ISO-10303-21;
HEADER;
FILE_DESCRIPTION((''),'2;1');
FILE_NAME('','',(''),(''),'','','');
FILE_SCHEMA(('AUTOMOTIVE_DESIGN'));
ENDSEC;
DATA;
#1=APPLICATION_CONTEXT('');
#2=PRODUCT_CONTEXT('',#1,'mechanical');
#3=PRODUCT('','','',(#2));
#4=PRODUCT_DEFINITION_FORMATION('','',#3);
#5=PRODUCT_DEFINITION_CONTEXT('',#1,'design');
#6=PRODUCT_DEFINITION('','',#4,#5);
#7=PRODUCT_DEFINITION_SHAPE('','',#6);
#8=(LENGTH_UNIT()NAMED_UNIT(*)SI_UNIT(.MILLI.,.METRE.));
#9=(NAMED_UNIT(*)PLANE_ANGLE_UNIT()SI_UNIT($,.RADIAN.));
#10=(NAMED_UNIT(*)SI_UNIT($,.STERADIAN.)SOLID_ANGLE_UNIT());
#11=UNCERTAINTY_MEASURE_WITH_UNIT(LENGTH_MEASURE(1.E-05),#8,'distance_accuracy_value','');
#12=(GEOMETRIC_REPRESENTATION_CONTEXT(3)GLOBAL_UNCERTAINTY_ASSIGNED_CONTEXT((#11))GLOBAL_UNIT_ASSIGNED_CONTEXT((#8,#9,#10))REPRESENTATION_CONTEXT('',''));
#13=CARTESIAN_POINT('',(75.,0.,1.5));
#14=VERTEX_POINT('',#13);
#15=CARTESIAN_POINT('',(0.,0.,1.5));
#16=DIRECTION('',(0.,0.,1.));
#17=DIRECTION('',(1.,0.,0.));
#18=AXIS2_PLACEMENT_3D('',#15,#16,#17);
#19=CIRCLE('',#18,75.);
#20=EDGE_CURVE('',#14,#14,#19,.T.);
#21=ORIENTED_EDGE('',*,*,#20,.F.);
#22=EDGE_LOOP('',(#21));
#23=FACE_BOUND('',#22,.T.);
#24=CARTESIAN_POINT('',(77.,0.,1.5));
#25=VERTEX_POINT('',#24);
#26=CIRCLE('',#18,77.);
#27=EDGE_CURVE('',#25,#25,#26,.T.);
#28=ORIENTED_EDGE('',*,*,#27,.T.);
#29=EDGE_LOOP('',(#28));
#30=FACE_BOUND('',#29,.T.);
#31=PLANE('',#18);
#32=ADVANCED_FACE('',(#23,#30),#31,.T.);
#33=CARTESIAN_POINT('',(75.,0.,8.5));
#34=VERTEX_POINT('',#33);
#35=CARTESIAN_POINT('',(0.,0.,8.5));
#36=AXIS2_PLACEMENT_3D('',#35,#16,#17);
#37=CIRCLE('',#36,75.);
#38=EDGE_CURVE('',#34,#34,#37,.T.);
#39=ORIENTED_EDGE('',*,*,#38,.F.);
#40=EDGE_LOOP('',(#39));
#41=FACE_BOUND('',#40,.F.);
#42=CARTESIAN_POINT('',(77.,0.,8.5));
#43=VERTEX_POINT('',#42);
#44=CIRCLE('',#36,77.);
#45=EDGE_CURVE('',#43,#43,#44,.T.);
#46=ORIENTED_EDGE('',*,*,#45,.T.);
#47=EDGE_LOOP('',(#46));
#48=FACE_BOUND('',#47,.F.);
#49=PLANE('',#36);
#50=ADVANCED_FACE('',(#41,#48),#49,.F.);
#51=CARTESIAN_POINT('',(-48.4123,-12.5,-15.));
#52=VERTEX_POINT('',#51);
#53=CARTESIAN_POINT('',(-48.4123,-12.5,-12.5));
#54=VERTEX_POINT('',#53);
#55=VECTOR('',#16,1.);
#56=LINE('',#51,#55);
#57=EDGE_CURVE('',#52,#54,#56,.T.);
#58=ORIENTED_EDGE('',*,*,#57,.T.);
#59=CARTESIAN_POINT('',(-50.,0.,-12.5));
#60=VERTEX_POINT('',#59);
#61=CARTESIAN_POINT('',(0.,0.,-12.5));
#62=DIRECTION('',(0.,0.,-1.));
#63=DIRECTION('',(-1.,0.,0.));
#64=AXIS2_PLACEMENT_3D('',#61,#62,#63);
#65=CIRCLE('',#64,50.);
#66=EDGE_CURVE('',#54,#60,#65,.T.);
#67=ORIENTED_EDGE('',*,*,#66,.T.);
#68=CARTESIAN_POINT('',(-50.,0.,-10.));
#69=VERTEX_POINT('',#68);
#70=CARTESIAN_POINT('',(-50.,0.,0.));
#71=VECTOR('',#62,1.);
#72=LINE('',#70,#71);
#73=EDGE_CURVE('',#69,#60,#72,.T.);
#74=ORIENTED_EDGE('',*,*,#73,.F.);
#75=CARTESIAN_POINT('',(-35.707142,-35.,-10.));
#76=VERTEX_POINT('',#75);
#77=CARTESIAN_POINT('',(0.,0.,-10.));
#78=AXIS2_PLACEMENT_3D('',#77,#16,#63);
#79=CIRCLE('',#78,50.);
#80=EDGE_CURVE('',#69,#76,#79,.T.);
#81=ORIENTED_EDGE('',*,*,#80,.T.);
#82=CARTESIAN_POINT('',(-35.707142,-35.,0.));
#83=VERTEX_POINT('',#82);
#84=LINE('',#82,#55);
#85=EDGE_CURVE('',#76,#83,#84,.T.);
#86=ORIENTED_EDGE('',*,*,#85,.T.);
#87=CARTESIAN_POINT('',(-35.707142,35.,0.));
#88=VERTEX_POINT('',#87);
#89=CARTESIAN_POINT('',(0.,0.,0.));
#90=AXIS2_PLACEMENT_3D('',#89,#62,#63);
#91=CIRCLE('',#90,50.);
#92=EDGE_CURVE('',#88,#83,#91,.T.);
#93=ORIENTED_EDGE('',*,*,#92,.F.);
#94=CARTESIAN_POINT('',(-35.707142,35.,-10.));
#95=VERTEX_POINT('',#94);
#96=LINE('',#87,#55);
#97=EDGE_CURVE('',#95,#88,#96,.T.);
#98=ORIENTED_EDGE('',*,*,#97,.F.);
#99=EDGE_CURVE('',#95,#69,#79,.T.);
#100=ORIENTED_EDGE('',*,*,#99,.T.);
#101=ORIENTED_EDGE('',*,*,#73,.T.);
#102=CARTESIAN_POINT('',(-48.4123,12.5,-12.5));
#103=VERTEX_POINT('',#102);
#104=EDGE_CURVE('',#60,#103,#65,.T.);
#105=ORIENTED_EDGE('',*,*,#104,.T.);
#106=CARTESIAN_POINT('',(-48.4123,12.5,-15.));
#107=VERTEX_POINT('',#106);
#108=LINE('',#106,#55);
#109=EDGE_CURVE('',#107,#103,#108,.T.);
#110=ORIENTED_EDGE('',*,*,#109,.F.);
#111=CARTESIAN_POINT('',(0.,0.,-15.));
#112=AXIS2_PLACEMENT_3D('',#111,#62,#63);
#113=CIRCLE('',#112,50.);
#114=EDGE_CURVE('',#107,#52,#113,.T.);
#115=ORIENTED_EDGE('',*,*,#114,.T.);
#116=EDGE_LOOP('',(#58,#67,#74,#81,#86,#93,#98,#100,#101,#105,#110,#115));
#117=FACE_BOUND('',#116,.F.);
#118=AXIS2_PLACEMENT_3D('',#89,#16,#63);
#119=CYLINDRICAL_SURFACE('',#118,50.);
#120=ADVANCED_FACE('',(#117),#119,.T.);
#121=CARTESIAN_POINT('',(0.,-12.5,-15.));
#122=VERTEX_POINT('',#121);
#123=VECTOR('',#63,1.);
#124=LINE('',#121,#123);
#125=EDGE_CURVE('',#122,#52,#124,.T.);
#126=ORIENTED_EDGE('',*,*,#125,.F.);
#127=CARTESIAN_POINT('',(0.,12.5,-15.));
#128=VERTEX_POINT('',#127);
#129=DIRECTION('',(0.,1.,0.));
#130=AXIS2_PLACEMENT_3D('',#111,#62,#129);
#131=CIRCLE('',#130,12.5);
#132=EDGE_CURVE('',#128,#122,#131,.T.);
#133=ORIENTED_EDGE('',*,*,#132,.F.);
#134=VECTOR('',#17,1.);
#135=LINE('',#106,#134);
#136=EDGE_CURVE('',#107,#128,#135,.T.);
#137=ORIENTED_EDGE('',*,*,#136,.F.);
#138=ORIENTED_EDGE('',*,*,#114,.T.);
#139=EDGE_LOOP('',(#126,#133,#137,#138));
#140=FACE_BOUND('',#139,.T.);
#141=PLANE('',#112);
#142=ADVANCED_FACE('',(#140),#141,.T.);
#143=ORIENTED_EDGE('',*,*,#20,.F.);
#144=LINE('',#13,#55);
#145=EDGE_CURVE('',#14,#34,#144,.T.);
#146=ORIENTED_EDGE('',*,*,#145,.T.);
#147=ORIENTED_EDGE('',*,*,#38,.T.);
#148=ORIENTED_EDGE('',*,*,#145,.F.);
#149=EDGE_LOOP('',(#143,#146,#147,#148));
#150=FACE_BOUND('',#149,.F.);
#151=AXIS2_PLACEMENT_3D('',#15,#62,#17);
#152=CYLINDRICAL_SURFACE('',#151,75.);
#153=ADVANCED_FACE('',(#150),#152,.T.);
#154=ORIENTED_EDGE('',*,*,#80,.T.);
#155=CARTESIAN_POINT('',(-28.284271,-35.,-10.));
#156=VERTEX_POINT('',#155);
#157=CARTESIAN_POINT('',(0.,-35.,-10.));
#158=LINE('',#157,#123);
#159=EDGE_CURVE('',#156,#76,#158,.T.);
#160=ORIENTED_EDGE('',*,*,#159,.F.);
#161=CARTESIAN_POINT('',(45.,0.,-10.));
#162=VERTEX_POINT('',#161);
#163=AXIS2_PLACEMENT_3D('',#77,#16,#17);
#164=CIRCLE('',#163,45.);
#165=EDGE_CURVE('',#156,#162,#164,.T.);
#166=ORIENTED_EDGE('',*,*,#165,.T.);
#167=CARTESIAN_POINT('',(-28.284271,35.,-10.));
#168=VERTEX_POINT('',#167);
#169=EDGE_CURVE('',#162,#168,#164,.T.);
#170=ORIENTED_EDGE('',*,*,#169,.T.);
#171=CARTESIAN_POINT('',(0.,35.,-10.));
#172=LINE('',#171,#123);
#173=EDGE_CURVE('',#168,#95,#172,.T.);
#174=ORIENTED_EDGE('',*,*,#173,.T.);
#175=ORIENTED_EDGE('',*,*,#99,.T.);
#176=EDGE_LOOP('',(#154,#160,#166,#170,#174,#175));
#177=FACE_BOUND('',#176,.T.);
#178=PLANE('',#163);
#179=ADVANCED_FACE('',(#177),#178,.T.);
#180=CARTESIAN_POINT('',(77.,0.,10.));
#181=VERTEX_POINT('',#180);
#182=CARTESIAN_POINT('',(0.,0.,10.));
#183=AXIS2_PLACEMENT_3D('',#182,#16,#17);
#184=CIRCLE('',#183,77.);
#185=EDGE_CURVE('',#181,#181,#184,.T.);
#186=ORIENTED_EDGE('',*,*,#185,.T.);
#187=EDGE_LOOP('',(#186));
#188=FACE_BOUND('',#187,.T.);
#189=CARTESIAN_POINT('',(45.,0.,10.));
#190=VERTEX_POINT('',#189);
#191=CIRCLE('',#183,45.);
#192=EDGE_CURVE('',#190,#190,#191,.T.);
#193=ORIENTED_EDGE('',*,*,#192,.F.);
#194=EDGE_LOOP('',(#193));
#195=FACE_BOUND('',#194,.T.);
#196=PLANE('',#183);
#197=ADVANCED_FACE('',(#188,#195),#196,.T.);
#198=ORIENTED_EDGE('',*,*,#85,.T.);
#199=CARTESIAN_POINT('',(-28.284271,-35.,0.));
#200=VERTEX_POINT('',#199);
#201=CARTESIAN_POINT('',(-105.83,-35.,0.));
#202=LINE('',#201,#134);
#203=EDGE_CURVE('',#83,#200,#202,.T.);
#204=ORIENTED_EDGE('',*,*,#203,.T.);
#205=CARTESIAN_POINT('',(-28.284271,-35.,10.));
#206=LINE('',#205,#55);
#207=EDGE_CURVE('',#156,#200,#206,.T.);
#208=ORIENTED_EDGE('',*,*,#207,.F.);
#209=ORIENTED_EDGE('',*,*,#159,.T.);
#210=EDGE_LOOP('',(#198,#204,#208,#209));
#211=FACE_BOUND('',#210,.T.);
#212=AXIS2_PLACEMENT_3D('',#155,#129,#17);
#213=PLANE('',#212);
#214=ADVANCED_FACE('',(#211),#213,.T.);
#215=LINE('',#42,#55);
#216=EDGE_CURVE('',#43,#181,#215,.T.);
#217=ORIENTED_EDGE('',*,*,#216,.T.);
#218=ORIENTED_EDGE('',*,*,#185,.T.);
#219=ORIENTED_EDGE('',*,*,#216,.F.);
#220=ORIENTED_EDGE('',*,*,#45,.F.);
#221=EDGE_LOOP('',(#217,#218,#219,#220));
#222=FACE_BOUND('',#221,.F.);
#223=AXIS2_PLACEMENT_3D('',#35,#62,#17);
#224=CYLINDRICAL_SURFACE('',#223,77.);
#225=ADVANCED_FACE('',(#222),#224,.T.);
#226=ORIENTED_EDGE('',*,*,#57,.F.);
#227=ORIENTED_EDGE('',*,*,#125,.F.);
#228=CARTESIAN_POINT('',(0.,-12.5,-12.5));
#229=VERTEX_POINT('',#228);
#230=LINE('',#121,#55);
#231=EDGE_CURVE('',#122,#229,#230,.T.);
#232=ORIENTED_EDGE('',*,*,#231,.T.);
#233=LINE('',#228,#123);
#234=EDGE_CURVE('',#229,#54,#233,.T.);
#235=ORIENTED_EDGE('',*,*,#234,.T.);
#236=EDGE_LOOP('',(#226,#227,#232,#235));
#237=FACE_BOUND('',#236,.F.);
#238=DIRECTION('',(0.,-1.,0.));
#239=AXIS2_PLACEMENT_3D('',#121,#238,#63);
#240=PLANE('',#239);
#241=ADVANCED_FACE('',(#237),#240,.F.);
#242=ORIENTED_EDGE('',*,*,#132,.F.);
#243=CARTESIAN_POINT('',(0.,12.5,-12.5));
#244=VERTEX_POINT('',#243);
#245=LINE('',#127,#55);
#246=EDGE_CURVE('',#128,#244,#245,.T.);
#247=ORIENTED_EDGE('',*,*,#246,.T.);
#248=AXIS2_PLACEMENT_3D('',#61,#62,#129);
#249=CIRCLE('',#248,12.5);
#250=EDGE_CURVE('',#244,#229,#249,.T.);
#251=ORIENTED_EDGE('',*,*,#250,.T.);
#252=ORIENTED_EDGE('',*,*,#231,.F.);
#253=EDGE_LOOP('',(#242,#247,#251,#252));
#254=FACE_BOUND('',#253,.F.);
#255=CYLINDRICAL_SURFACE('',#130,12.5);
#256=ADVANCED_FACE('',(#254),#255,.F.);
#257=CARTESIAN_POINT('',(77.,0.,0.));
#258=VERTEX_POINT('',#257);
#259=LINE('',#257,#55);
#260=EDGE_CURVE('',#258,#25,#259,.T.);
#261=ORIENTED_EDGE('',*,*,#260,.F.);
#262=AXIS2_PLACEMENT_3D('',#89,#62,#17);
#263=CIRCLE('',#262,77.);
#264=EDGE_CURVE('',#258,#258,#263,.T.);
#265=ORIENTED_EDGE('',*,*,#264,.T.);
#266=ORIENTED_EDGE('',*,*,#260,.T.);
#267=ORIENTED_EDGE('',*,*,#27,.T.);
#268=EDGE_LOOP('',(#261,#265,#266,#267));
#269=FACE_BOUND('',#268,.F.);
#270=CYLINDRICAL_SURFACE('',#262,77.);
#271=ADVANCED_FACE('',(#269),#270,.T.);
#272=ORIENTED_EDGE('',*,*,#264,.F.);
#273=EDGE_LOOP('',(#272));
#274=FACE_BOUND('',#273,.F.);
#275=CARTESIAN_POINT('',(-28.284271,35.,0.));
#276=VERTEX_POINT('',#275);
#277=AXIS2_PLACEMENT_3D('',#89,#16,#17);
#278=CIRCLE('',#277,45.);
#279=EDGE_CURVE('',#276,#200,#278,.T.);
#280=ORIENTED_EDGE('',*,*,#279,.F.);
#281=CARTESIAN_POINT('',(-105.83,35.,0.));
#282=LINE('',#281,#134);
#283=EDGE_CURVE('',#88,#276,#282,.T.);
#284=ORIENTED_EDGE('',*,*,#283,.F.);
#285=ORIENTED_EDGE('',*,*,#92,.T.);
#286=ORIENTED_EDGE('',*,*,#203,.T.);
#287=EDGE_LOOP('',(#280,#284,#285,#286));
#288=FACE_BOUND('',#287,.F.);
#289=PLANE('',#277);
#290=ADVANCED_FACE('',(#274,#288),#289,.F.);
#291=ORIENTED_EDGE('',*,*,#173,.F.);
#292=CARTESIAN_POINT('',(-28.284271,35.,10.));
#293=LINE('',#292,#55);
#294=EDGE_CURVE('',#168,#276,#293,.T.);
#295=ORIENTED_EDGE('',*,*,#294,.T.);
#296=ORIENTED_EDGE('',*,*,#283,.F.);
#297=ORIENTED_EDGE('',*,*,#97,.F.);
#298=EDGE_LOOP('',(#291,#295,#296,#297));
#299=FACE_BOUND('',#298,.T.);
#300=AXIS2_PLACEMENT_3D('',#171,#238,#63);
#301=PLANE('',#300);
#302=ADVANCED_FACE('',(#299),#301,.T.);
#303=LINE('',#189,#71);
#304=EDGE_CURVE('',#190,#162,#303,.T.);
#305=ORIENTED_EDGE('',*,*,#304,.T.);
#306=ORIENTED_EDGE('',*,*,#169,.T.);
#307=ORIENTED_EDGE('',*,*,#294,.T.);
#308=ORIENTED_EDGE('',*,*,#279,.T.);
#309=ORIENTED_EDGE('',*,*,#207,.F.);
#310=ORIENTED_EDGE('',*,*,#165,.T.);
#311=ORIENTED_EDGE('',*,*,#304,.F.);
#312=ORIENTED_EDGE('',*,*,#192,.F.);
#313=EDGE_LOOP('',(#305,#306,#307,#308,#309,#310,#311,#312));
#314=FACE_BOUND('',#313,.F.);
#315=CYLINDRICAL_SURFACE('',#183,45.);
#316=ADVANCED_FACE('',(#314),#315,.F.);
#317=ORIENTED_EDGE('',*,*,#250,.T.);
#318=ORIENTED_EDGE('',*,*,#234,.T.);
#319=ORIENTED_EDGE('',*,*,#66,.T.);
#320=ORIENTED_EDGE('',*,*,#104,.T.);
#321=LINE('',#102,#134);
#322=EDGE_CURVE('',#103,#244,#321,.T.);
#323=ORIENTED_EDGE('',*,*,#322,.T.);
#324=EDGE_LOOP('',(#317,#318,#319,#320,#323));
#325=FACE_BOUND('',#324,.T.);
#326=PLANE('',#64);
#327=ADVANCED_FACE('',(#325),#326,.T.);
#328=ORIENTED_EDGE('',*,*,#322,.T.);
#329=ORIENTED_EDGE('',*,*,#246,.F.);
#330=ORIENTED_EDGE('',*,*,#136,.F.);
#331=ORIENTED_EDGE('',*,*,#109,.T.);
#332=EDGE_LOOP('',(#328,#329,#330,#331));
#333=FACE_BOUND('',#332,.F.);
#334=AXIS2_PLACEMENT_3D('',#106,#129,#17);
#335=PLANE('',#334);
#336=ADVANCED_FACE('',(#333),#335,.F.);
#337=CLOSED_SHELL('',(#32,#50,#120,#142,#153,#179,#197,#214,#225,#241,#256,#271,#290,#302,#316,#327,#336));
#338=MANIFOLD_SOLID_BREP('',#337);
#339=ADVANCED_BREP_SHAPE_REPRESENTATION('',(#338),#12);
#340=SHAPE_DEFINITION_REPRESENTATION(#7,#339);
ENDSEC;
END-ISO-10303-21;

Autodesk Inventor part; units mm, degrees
ref_plane "YZ Plane" through (0, 0, 0) normal (1, 0, 0) x (0, 1, 0)
ref_plane "XZ Plane" through (0, 0, 0) normal (0, 1, 0) x (-1, 0, 0)
ref_plane "XY Plane" through (0, 0, 0) normal (0, 0, 1) x (1, 0, 0)
sketch "Sketch1" plane through (0, 0, 0) normal (0, 0, 1) x (1, 0, 0)
  circle A0 centre (0, 0) radius 77
  dimension "d0" = 154
extrude "Extrusion1" add sketch "Sketch1" along normal blind 1.5
sketch "Sketch2" plane through (0, 0, 1.5) normal (0, 0, 1) x (1, 0, 0)
  circle A0 centre (0, 0) radius 77 projected
  circle A1 centre (0, 0) radius 75
  dimension "d4" = 150
extrude "Extrusion2" add sketch "Sketch2" along normal blind 7 contours A1
sketch "Sketch3" plane through (0, 0, 8.5) normal (0, 0, 1) x (1, 0, 0)
  circle A0 centre (0, 0) radius 77 projected
extrude "Extrusion3" add sketch "Sketch3" along normal blind 1.5
sketch "Sketch5" plane through (0, 0, 0) normal (0, 0, -1) x (-1, 0, 0)
  circle A0 centre (0, 0) radius 77 projected
  circle A1 centre (0, 0) radius 50
  dimension "d14" = 100
extrude "Extrusion5" add sketch "Sketch5" along normal blind 15 contours A1
sketch "Sketch6" plane through (0, 0, -15) normal (0, 0, -1) x (-1, 0, 0)
  circle A0 centre (0, 0) radius 50 projected
  line L0 (48.4123, 12.5) -> (0, 12.5)
  arc A1 (0, 12.5) -> (0, -12.5) centre (0, 0) ccw
  line L1 (0, -12.5) -> (48.4123, -12.5)
  dimension "d18" = 25
extrude "Extrusion6" cut sketch "Sketch6" against normal blind 2.5 contours A0 L1 A1 L0 picked at (16.6667, 0)
sketch "Sketch7" plane through (0, 0, 10) normal (0, 0, 1) x (1, 0, 0)
  circle A0 centre (0, 0) radius 77 projected
  circle A1 centre (0, 0) radius 45
  dimension "d22" = 90
extrude "Extrusion7" cut sketch "Sketch7" against normal blind 20 contours A1
sketch "Sketch8" plane through (0, 0, -10) normal (0, 0, 1) x (1, 0, 0)
  circle A0 centre (0, 0) radius 45 projected
  line L0 (0, 35) -> (-105.83, 35)
  line L1 (-105.83, 35) -> (-105.83, -35)
  line L2 (-105.83, -35) -> (0, -35)
  arc A1 (0, -35) -> (0, 35) centre (0, 0) ccw
  dimension "d26" = 70
extrude "Extrusion8" cut sketch "Sketch8" along normal up to surface (10 mm away) contours L0 A1 L2 A0 | A0 L2 L1 L0 picked at (-14.9265, 1.4828)
properties part number "proximal drive pulley"
